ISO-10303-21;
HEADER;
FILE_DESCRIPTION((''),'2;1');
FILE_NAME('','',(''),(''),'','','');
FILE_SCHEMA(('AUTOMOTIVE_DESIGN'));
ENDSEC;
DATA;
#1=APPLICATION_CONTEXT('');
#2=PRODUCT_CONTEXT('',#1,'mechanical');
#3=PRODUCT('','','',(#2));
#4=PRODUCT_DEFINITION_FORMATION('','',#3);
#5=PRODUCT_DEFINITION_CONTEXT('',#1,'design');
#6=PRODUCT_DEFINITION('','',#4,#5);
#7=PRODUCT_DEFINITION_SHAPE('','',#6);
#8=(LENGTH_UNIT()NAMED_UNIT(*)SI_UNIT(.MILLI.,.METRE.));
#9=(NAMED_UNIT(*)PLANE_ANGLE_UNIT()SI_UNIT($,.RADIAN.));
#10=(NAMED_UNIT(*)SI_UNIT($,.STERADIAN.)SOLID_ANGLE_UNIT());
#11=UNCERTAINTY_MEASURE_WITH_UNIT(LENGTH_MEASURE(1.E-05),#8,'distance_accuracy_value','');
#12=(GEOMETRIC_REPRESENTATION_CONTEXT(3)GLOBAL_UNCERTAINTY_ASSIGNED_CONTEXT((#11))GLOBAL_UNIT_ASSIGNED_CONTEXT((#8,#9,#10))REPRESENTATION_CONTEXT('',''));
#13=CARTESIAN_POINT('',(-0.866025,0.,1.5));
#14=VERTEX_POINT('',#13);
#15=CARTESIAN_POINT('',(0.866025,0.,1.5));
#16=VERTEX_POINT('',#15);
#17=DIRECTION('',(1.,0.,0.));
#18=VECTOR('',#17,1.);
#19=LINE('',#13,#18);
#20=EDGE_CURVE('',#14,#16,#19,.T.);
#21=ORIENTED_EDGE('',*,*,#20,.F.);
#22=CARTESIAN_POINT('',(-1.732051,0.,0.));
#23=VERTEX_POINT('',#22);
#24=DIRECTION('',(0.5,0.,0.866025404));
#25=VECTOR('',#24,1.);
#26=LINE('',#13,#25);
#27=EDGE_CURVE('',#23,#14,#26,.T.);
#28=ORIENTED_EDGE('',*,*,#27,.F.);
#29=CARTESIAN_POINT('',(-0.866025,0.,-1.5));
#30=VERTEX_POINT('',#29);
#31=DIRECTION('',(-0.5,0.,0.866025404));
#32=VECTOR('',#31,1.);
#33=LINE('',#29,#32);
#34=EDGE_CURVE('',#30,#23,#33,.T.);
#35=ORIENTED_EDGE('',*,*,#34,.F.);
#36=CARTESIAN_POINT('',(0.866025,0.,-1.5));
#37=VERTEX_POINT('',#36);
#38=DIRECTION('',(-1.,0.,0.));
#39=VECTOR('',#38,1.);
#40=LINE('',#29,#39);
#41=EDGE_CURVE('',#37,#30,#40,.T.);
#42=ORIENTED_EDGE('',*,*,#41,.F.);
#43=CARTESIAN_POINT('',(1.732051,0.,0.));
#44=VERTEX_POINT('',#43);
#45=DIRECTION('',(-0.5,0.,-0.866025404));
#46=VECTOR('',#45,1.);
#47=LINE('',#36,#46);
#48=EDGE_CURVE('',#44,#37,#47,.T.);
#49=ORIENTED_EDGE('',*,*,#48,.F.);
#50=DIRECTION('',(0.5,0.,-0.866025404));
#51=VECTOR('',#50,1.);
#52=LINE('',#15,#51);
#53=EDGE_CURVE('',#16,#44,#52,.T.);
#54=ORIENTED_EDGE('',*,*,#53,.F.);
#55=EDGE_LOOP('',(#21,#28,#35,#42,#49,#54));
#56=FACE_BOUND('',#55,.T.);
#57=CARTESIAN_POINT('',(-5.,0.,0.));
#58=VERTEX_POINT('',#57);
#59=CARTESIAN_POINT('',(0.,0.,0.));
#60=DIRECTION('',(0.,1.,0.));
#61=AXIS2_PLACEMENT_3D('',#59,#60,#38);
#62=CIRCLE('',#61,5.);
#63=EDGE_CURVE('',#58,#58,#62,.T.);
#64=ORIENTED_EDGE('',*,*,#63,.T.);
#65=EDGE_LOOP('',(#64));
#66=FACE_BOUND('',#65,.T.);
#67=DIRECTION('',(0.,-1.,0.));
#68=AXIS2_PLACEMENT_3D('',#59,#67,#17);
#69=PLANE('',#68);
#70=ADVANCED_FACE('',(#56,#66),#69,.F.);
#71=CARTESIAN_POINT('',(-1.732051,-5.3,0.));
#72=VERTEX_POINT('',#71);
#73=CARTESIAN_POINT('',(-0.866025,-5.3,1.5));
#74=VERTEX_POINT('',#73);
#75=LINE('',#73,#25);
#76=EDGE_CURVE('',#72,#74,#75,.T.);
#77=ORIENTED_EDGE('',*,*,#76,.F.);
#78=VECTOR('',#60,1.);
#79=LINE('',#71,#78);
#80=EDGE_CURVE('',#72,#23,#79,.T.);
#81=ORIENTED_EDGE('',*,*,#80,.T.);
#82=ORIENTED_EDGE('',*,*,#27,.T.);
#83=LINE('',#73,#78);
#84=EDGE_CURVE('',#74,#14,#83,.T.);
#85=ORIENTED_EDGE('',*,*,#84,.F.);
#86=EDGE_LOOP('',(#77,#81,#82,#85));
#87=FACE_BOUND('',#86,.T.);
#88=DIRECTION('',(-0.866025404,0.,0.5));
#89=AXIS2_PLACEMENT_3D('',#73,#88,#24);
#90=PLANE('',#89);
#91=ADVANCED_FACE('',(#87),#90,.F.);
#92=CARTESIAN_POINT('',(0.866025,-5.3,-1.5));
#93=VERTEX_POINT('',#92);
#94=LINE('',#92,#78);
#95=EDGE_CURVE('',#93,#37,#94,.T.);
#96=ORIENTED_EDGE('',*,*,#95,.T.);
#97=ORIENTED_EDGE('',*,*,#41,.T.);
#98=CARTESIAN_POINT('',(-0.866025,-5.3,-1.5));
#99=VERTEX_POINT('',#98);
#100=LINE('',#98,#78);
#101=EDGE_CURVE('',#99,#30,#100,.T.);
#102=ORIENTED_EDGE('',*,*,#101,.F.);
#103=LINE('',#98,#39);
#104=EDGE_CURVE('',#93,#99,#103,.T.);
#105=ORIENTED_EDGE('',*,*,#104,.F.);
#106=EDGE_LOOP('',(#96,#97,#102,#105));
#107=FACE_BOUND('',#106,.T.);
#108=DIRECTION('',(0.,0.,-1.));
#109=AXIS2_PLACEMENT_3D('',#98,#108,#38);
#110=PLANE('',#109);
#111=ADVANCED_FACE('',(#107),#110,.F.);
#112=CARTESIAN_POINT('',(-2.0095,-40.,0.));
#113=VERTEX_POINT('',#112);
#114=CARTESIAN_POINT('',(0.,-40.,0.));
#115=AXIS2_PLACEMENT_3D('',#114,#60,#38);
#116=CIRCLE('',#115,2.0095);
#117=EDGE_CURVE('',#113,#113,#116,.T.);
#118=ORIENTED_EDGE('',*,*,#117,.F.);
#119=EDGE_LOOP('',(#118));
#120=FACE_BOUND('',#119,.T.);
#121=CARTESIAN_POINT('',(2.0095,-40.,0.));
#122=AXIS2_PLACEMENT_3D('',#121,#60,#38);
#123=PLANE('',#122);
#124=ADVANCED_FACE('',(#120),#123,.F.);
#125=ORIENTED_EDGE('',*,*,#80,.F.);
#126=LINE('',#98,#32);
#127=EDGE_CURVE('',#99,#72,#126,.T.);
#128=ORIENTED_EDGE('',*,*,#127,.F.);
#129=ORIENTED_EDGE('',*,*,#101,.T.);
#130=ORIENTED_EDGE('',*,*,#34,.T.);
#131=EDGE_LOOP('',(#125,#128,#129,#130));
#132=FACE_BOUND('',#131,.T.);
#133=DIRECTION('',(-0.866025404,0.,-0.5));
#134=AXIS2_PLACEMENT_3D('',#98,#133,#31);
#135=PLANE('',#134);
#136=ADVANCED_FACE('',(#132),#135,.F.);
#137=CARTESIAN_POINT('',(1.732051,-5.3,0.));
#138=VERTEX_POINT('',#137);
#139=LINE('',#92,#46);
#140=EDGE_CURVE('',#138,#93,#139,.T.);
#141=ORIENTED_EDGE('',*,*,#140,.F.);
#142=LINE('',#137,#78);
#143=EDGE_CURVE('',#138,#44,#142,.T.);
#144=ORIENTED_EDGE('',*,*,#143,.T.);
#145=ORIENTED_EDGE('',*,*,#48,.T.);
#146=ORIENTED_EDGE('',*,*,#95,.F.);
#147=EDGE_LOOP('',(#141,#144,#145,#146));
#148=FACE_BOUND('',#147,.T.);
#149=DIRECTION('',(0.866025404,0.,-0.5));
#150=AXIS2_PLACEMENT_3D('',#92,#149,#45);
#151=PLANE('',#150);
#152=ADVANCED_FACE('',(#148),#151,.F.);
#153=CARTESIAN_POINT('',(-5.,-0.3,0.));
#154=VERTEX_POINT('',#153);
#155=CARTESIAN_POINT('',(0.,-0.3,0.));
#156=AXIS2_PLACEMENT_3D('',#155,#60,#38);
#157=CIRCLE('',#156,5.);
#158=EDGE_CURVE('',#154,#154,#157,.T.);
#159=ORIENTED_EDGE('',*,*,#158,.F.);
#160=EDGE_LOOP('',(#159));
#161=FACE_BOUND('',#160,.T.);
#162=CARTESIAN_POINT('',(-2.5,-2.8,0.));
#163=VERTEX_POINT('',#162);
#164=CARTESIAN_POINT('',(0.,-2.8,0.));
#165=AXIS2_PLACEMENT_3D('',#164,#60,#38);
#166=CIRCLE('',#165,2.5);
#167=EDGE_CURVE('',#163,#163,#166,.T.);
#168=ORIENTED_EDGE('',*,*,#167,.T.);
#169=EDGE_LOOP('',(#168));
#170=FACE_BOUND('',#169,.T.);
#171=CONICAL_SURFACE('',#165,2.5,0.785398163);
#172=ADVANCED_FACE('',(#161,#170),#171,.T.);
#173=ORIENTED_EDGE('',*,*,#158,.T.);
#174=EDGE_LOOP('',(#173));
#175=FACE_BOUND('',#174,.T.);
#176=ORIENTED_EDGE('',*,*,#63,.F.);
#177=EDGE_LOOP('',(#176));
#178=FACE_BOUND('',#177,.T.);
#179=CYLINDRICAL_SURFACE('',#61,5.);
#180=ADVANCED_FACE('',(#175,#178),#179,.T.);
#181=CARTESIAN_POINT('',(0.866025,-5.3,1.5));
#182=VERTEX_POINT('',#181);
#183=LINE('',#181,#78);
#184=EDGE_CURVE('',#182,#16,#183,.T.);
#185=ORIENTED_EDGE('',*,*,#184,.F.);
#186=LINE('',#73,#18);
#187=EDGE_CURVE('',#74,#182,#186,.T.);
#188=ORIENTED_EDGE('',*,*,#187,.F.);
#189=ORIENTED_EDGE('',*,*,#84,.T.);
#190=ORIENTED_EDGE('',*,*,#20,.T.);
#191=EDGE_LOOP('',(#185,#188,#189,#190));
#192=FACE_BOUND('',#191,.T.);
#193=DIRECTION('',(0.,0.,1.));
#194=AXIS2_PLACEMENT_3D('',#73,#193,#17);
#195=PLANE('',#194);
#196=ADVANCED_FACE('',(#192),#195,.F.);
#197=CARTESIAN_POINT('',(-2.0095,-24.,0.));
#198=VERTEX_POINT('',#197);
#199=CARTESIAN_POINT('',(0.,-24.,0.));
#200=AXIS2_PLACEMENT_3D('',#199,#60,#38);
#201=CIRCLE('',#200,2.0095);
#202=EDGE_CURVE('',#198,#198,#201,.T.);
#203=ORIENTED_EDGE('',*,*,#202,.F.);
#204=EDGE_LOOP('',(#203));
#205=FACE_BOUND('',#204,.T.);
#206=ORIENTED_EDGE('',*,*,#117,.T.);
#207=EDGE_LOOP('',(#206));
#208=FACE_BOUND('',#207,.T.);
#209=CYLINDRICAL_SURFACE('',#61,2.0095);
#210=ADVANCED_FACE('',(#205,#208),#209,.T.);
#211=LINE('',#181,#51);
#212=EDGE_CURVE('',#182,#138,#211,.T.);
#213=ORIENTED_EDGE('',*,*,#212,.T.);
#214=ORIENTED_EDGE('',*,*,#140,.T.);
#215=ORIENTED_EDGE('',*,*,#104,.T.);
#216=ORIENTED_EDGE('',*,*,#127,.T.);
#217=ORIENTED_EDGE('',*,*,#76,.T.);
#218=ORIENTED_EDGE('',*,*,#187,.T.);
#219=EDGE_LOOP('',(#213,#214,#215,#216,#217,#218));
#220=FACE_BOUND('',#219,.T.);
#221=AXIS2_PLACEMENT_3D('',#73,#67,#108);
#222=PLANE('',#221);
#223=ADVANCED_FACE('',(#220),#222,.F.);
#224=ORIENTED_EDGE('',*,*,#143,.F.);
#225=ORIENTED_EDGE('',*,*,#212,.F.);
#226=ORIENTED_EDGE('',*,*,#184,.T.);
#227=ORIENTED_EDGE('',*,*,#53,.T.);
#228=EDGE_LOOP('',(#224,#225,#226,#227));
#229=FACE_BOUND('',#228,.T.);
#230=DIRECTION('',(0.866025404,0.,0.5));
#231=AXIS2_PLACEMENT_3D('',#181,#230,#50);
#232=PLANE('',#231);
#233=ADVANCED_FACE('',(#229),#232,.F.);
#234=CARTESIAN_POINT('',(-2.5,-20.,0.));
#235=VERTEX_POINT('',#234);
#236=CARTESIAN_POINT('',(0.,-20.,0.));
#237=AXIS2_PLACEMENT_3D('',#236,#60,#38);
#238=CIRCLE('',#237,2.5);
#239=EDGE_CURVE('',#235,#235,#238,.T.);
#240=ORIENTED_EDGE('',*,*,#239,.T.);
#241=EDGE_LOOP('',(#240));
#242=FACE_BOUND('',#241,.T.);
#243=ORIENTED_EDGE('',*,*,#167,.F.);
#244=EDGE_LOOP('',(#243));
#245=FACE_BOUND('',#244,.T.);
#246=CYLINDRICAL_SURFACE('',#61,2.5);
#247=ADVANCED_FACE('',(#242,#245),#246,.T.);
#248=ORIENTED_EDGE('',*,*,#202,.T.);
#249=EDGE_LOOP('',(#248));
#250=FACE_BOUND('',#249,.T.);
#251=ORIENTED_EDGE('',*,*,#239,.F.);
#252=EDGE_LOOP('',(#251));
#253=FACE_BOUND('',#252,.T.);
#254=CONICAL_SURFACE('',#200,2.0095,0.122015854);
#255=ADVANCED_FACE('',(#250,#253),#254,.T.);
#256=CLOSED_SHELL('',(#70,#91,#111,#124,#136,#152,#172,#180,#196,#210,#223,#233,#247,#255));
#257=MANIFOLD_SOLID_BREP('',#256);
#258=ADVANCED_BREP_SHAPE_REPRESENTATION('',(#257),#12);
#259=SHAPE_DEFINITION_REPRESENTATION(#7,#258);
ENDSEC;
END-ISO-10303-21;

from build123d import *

# Parameters (mm, degrees)
SCHNITT_LINEAR_AUSTRAGEN1_DEPTH = 5.3


with BuildPart() as part:
    # Skizze1 → Basis-Rotation (revolve)
    with BuildSketch(Plane.XY, mode=Mode.PRIVATE) as basis_rotation_sk:
        Polygon((0, 0), (5, 0), (5, -0.3), (2.5, -2.8), (2.5, -20), (2.0095, -24), (2.0095, -40), (0, -40), align=None)
    revolve(basis_rotation_sk.sketch.rotate(Axis((0, 0, 0), (0, -1, 0)), 180), axis=Axis((0, 0, 0), (0, -1, 0)))

    # Skizze2 → Schnitt-Linear austragen1 (cut)
    with BuildSketch(Plane(origin=(0, 0, 0), x_dir=(-1, 0, 0), z_dir=(0, 1, 0))):
        Polygon((0.866025404, -1.5), (-0.866025404, -1.5), (-1.732050808, 0), (-0.866025404, 1.5), (0.866025404, 1.5), (1.732050808, 0), align=None)
    extrude(amount=-SCHNITT_LINEAR_AUSTRAGEN1_DEPTH, mode=Mode.SUBTRACT)


solid = part.part
